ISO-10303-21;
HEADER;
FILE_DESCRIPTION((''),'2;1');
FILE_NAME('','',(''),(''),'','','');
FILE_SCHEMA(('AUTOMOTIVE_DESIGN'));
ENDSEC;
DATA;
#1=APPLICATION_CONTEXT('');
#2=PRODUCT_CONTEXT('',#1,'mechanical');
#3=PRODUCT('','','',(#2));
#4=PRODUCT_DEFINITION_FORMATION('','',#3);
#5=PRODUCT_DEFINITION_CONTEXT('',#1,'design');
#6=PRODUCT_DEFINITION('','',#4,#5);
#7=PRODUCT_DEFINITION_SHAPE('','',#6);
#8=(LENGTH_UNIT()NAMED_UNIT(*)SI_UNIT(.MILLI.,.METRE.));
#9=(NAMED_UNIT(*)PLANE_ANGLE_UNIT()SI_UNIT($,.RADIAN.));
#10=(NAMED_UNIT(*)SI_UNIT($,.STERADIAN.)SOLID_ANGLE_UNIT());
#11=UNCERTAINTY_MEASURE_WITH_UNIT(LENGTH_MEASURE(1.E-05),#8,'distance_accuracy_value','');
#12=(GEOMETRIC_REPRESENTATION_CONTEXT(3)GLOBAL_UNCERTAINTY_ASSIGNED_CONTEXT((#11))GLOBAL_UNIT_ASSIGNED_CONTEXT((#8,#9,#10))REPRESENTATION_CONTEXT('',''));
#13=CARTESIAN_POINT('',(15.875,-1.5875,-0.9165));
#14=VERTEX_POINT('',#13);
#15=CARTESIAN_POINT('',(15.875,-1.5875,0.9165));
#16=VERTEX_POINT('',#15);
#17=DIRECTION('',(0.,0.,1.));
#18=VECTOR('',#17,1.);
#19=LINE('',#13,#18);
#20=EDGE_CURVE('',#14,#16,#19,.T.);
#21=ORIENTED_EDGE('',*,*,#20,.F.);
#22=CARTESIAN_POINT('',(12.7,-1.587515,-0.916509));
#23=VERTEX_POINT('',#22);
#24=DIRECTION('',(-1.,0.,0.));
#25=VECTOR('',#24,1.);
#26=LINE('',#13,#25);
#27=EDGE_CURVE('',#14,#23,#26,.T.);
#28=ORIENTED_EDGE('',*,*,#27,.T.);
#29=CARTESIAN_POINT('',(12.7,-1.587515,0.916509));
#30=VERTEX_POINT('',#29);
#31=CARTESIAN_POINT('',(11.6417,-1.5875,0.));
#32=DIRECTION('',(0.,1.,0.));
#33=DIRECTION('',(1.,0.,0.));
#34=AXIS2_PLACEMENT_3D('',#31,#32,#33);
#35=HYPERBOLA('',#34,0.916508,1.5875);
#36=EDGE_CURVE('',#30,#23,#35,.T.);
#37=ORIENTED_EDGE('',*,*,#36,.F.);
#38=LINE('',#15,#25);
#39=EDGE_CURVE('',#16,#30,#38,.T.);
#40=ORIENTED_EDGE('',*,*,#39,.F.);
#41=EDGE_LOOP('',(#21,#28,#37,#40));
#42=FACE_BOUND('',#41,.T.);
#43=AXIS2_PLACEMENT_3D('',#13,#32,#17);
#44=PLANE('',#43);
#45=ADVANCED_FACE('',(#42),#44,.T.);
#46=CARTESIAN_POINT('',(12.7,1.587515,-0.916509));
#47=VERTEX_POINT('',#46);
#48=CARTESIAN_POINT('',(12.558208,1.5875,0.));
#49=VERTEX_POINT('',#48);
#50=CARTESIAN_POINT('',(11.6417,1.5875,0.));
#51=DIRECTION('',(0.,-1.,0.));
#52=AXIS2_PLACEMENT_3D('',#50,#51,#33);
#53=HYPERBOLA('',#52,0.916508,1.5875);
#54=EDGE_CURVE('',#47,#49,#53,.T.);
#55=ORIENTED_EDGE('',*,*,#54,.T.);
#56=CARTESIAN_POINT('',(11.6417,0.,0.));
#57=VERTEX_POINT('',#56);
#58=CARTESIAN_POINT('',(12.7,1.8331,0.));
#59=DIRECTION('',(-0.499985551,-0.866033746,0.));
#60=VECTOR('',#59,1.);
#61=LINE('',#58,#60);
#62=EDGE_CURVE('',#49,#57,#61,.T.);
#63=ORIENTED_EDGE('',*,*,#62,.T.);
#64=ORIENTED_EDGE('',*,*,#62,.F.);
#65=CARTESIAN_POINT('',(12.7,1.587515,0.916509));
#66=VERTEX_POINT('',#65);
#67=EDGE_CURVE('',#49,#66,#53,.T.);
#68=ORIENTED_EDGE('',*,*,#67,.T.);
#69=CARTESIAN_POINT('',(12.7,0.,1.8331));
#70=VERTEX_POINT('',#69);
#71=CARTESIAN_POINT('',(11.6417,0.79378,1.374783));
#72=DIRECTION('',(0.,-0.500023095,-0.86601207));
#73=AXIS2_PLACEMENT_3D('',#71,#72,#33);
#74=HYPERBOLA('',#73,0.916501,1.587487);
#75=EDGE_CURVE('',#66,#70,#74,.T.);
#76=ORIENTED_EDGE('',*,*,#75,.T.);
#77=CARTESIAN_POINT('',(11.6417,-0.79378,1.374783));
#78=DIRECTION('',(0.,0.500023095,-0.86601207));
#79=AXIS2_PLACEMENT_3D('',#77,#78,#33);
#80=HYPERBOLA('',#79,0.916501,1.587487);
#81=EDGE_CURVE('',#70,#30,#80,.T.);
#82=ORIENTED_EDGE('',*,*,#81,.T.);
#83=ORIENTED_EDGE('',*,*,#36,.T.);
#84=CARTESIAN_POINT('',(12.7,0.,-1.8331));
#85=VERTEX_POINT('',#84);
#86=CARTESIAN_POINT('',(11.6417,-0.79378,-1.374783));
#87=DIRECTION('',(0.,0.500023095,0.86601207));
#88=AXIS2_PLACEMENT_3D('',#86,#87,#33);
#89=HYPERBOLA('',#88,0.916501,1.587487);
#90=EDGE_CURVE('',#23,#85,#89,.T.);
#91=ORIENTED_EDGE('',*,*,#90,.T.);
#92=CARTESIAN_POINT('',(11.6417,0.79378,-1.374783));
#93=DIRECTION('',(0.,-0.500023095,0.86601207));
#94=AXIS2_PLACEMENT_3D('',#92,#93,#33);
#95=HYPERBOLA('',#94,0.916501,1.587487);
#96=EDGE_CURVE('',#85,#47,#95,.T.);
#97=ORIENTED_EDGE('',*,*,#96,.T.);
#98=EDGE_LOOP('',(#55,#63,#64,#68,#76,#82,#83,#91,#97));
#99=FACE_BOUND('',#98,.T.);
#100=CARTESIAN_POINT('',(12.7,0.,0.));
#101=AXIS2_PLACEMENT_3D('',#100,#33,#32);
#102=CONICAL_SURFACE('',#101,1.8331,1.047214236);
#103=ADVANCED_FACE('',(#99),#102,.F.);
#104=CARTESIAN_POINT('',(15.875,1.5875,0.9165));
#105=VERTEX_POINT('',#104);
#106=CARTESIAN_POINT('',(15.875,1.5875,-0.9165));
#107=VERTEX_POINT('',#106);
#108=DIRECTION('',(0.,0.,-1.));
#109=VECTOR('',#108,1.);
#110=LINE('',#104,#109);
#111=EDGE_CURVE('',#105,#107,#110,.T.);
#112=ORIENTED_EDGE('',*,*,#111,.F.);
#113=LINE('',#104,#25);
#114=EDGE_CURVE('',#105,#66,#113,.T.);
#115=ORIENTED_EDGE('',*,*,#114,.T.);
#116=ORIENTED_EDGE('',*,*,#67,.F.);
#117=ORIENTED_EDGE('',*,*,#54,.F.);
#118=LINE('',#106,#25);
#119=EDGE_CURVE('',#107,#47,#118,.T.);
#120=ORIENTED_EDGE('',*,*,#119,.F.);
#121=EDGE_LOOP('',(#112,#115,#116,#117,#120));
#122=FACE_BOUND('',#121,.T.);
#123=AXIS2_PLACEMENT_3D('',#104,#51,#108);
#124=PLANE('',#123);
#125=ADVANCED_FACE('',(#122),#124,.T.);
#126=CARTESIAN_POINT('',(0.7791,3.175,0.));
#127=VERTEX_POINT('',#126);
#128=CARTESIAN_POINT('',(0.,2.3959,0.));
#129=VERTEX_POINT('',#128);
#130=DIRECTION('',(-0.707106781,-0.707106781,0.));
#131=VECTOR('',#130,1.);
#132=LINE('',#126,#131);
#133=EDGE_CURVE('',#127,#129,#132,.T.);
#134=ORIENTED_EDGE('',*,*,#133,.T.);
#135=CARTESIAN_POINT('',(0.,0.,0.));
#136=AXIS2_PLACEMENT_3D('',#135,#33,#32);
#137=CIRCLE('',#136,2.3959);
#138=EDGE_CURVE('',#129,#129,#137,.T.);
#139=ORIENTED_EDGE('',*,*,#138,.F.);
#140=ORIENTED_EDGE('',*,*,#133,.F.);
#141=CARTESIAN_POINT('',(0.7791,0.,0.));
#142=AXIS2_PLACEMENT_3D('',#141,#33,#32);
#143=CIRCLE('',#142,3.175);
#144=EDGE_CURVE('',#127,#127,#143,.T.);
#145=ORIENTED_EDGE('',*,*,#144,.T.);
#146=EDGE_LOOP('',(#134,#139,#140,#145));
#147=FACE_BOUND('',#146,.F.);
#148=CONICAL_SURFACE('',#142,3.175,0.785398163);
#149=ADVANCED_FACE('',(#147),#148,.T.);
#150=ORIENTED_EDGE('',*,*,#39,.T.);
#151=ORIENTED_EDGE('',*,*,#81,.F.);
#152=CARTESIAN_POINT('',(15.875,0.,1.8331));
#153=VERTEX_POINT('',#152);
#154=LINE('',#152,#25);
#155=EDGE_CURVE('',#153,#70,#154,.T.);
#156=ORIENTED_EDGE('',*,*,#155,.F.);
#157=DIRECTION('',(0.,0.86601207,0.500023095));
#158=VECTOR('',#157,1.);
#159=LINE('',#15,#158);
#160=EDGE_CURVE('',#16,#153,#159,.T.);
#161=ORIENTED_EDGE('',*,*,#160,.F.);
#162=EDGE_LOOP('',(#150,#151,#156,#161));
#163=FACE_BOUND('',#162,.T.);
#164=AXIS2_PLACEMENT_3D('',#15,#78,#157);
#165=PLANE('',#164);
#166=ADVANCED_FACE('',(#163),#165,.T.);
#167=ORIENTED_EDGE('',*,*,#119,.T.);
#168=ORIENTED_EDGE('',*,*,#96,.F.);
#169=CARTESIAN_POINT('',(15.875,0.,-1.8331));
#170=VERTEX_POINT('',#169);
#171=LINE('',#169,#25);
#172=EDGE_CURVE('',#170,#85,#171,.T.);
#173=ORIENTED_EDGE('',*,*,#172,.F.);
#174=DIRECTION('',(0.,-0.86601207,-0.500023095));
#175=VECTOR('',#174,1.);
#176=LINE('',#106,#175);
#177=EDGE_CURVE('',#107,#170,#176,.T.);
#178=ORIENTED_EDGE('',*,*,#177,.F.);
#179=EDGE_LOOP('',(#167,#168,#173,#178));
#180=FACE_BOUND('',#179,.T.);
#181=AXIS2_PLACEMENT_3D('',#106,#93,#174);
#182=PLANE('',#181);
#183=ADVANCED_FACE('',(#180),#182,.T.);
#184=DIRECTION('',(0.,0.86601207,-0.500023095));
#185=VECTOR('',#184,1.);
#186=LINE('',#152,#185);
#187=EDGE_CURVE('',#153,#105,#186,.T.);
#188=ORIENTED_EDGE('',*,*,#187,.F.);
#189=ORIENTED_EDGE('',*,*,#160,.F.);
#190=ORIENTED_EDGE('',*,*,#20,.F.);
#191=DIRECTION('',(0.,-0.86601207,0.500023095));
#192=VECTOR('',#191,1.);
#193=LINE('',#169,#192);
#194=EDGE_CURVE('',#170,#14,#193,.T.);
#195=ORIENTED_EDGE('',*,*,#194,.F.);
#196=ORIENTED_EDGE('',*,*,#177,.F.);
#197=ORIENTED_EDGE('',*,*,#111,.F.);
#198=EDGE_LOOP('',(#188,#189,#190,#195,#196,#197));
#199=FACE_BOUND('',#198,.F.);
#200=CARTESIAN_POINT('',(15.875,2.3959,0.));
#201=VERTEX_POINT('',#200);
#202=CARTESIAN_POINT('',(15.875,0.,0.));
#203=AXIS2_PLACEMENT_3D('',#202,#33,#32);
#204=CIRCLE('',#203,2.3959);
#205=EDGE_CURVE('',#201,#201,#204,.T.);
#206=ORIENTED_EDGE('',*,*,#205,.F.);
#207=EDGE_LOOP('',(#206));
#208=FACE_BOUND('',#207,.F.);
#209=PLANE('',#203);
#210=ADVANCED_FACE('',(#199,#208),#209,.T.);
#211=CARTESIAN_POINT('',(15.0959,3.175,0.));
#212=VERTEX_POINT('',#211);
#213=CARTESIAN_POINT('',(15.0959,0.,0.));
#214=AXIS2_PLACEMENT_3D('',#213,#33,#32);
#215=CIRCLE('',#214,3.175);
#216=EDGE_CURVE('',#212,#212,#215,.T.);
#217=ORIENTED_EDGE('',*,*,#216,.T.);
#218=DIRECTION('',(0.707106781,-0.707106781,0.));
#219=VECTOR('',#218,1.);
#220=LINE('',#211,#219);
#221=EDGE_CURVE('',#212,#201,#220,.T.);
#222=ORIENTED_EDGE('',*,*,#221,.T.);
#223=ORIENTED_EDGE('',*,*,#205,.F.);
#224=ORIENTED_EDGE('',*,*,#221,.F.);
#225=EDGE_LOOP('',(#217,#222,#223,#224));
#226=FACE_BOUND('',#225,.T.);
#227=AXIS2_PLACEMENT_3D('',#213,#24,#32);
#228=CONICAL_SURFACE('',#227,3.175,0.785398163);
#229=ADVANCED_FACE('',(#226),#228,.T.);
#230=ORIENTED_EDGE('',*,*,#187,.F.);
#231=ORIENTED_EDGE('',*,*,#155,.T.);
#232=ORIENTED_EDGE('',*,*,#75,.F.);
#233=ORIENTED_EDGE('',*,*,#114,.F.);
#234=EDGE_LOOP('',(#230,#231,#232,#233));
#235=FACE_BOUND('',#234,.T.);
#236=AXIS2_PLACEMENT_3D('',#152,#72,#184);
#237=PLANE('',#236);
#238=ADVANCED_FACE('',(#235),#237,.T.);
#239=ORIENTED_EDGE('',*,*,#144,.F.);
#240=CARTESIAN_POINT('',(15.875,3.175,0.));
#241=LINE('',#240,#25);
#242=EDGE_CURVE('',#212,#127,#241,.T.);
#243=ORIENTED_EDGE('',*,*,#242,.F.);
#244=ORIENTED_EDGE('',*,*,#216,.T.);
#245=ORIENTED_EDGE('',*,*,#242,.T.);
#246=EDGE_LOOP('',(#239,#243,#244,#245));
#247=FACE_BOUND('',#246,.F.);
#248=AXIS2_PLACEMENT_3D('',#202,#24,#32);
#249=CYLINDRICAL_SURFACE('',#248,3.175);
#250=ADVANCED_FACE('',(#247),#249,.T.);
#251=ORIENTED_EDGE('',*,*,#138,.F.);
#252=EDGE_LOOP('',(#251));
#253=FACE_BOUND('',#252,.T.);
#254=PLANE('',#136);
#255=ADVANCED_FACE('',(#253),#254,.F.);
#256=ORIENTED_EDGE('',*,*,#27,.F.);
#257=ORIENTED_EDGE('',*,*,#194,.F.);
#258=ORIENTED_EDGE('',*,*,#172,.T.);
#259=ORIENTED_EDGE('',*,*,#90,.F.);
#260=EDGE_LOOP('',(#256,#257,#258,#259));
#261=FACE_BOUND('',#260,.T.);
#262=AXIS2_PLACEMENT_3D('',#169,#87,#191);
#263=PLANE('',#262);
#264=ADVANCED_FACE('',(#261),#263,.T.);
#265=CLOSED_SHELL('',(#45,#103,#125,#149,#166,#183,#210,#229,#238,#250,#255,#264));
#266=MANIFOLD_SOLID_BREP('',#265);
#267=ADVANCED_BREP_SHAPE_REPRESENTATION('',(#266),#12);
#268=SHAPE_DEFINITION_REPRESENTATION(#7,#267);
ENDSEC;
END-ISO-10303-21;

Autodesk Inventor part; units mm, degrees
ref_plane "YZ Plane" through (0, 0, 0) normal (1, 0, 0) x (0, 1, 0)
ref_plane "XZ Plane" through (0, 0, 0) normal (0, 1, 0) x (-1, 0, 0)
sketch "Sketch1" plane through (0, 0, 0) normal (0, 0, 1) x (1, 0, 0)
  line L0 (0, 0) -> (11.6417, 0)
  line L1 (15.875, 1.8331) -> (15.875, 3.175)
  line L2 (15.875, 3.175) -> (0, 3.175)
  line L3 (15.875, 1.8331) -> (12.7, 1.8331)
  line L4 (12.7, 1.8331) -> (11.6417, 0)
  line L5 (0, -0.635) -> (0, 3.81) projected
  line L6 (0, 3.175) -> (0, 0)
  dimension "d0" = 3.175
  dimension "d1" = 60
  dimension "d2" = 6.35
  dimension "d3" = 3.6662
  dimension "d5" = 15.875
revolve "Body" add sketch "Sketch1" angle 360 about axis through (0, 0, 0) along (1, 0, 0)
chamfer "Chamfer1" distance 0.7791 angle 45 1 edges at (15.875, -3.175, 0) measured on face at (15.875, 2.6792, -0.3995)
sketch "Sketch2" plane through (15.875, 0, 0) normal (1, 0, 0) x (0, 0, -1)
  circle A0 centre (0, 0) radius 1.8331 projected
  line L0 (-0.9165, 1.5875) -> (0.9165, 1.5875)
  line L1 (0.9165, 1.5875) -> (1.8331, 0)
  line L2 (1.8331, 0) -> (0.9165, -1.5875)
  line L3 (0.9165, -1.5875) -> (-0.9165, -1.5875)
  line L4 (-0.9165, -1.5875) -> (-1.8331, 0)
  line L5 (-1.8331, 0) -> (-0.9165, 1.5875)
  point P0 (0, 0)
  point P1 (0, 0)
extrude "Slot" add sketch "Sketch2" against normal up to next contours L1 A0 | A0 L2 | L0 A0 | A0 L3 | L5 A0 | A0 L4
thread "Thread" size "1/4-20 UNC" class "2A" standard "ANSI Unified Screw Threads" length 15.875
chamfer "Chamfer2" distance 0.7791 angle 45 1 edges at (0, -3.175, 0) measured on face at (5.032, 3.1647, -0.2555)
ref_plane "Work Plane1" through (7.9375, 0, 0) normal (0, 0.5, 0.866) x (1, 0, 0)
equation "\"d7\" = -0.5 * GD1 + 0.5 * NND"
equation "\"d8\" = FAWI"
equation "\"d29\" = -0.5 * GD1 + 0.5 * NND"
equation "\"d11\" = NLG"
equation "\"d13\" = -0.5 * GD1 + 0.5 * NND"
equation "\"d14\" = FAWI"
equation "\"d30\" = -0.5 * GD1 + 0.5 * NND"
equation "\"d0\" = INTI"
equation "\"d2\" = NND"
equation "\"d3\" = 1.1547 * SW"
equation "\"d5\" = NLG"
equation "\"NND\" = 6.35"
equation "\"NLG\" = 15.875"
equation "\"INTI\" = 3.175"
equation "\"FAWI\" = 45deg"
equation "\"SW\" = 3.175"
equation "\"GD1\" = 4.79189"
equation "\"FAWI1\" = 45deg"
equation "\"SPD\" = 3.3528"
equation "\"SEWI\" = 90deg"
equation "\"TOA\" = 30deg"
equation "\"ZLG\" = 1.7018"
equation "\"ZD\" = 3.9624"
equation "\"HHPTC\" = 1.27"
equation "\"THREADDIA\" = 6.35"
equation "\"OPR\" = 4.7752"
equation "\"E0\" = 1.155 * SW"
properties part number "ANSI B18.3 - 1/4-20 UNC x 0.625" material "Steel, Mild"
